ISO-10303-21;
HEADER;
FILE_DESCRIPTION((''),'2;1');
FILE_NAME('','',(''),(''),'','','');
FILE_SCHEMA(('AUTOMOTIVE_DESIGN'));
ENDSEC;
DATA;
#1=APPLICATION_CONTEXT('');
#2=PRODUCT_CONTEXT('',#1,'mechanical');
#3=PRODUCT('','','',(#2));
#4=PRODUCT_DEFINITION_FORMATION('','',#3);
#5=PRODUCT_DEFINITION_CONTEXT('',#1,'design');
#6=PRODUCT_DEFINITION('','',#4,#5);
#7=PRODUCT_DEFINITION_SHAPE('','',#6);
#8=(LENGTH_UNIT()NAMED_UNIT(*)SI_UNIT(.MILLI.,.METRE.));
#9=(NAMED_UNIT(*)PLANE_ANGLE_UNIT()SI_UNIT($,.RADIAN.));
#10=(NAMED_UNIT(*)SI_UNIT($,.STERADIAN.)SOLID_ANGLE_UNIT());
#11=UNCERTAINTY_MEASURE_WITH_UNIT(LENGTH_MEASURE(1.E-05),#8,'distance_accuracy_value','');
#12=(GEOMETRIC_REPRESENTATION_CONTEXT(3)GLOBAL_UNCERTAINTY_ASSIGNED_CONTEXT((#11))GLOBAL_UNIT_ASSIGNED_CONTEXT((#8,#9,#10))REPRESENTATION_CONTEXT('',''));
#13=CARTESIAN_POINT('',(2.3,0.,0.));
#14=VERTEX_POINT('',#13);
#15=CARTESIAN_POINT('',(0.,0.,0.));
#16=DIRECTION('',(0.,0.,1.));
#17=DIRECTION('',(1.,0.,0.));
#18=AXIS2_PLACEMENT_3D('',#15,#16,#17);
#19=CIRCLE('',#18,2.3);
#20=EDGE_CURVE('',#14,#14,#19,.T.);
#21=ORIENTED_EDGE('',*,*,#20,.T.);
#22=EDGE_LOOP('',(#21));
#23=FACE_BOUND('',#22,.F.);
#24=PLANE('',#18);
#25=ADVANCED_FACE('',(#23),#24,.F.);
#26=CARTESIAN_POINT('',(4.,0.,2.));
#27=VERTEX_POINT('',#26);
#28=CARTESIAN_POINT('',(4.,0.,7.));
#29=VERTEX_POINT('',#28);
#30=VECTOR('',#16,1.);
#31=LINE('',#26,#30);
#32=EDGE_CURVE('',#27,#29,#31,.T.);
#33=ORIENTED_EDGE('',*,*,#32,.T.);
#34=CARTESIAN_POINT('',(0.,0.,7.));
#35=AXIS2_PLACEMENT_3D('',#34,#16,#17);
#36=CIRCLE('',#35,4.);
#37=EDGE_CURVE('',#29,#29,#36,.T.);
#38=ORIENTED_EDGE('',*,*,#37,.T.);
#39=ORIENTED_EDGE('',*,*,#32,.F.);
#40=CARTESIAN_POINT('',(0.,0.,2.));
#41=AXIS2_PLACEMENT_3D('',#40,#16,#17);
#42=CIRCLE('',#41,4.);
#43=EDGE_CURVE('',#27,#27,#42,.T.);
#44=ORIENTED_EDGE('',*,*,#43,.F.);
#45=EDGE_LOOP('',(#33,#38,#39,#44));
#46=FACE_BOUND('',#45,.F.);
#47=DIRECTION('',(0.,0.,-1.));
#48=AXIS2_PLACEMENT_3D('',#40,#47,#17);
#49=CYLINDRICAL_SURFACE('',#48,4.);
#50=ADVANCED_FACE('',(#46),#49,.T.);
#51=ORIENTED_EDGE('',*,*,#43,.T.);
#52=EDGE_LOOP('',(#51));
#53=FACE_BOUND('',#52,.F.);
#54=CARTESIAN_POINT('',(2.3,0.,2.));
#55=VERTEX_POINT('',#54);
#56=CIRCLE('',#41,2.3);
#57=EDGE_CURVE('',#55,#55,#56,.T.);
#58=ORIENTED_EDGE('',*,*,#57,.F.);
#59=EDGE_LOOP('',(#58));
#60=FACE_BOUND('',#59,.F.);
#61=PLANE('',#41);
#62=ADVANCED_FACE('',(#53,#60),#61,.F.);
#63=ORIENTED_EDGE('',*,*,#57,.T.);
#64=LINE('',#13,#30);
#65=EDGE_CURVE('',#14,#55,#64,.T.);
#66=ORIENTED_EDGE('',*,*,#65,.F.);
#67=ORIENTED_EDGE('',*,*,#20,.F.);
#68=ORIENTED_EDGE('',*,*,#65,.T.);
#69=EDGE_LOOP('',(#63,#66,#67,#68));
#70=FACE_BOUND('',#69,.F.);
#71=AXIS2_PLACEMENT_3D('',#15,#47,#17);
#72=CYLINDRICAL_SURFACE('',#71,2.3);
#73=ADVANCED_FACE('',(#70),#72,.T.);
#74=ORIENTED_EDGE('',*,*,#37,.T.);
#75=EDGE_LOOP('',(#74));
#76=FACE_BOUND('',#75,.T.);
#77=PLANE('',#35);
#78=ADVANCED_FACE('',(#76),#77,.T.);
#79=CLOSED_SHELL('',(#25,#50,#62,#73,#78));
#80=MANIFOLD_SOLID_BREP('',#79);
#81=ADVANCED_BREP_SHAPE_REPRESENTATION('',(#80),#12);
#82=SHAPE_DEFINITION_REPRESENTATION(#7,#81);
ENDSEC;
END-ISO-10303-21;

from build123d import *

# Parameters (mm, degrees)
CYLINDER004_R     = 2.3
CYLINDER004_DEPTH = 2
CYLINDER006_R     = 4
CYLINDER006_DEPTH = 5


with BuildPart() as cylinder004:
    # Cylinder004 → Cylinder004 (new body)
    with BuildSketch(Plane.XY):
        Circle(CYLINDER004_R)
    extrude(amount=CYLINDER004_DEPTH)


with BuildPart() as fusion:
    # Cylinder006 → Cylinder006 (new body)
    with BuildSketch(Plane.XY.offset(2)):
        Circle(CYLINDER006_R)
    extrude(amount=CYLINDER006_DEPTH)

    # Fusion: union Cylinder004
    add(cylinder004.part)


solid = fusion.part
